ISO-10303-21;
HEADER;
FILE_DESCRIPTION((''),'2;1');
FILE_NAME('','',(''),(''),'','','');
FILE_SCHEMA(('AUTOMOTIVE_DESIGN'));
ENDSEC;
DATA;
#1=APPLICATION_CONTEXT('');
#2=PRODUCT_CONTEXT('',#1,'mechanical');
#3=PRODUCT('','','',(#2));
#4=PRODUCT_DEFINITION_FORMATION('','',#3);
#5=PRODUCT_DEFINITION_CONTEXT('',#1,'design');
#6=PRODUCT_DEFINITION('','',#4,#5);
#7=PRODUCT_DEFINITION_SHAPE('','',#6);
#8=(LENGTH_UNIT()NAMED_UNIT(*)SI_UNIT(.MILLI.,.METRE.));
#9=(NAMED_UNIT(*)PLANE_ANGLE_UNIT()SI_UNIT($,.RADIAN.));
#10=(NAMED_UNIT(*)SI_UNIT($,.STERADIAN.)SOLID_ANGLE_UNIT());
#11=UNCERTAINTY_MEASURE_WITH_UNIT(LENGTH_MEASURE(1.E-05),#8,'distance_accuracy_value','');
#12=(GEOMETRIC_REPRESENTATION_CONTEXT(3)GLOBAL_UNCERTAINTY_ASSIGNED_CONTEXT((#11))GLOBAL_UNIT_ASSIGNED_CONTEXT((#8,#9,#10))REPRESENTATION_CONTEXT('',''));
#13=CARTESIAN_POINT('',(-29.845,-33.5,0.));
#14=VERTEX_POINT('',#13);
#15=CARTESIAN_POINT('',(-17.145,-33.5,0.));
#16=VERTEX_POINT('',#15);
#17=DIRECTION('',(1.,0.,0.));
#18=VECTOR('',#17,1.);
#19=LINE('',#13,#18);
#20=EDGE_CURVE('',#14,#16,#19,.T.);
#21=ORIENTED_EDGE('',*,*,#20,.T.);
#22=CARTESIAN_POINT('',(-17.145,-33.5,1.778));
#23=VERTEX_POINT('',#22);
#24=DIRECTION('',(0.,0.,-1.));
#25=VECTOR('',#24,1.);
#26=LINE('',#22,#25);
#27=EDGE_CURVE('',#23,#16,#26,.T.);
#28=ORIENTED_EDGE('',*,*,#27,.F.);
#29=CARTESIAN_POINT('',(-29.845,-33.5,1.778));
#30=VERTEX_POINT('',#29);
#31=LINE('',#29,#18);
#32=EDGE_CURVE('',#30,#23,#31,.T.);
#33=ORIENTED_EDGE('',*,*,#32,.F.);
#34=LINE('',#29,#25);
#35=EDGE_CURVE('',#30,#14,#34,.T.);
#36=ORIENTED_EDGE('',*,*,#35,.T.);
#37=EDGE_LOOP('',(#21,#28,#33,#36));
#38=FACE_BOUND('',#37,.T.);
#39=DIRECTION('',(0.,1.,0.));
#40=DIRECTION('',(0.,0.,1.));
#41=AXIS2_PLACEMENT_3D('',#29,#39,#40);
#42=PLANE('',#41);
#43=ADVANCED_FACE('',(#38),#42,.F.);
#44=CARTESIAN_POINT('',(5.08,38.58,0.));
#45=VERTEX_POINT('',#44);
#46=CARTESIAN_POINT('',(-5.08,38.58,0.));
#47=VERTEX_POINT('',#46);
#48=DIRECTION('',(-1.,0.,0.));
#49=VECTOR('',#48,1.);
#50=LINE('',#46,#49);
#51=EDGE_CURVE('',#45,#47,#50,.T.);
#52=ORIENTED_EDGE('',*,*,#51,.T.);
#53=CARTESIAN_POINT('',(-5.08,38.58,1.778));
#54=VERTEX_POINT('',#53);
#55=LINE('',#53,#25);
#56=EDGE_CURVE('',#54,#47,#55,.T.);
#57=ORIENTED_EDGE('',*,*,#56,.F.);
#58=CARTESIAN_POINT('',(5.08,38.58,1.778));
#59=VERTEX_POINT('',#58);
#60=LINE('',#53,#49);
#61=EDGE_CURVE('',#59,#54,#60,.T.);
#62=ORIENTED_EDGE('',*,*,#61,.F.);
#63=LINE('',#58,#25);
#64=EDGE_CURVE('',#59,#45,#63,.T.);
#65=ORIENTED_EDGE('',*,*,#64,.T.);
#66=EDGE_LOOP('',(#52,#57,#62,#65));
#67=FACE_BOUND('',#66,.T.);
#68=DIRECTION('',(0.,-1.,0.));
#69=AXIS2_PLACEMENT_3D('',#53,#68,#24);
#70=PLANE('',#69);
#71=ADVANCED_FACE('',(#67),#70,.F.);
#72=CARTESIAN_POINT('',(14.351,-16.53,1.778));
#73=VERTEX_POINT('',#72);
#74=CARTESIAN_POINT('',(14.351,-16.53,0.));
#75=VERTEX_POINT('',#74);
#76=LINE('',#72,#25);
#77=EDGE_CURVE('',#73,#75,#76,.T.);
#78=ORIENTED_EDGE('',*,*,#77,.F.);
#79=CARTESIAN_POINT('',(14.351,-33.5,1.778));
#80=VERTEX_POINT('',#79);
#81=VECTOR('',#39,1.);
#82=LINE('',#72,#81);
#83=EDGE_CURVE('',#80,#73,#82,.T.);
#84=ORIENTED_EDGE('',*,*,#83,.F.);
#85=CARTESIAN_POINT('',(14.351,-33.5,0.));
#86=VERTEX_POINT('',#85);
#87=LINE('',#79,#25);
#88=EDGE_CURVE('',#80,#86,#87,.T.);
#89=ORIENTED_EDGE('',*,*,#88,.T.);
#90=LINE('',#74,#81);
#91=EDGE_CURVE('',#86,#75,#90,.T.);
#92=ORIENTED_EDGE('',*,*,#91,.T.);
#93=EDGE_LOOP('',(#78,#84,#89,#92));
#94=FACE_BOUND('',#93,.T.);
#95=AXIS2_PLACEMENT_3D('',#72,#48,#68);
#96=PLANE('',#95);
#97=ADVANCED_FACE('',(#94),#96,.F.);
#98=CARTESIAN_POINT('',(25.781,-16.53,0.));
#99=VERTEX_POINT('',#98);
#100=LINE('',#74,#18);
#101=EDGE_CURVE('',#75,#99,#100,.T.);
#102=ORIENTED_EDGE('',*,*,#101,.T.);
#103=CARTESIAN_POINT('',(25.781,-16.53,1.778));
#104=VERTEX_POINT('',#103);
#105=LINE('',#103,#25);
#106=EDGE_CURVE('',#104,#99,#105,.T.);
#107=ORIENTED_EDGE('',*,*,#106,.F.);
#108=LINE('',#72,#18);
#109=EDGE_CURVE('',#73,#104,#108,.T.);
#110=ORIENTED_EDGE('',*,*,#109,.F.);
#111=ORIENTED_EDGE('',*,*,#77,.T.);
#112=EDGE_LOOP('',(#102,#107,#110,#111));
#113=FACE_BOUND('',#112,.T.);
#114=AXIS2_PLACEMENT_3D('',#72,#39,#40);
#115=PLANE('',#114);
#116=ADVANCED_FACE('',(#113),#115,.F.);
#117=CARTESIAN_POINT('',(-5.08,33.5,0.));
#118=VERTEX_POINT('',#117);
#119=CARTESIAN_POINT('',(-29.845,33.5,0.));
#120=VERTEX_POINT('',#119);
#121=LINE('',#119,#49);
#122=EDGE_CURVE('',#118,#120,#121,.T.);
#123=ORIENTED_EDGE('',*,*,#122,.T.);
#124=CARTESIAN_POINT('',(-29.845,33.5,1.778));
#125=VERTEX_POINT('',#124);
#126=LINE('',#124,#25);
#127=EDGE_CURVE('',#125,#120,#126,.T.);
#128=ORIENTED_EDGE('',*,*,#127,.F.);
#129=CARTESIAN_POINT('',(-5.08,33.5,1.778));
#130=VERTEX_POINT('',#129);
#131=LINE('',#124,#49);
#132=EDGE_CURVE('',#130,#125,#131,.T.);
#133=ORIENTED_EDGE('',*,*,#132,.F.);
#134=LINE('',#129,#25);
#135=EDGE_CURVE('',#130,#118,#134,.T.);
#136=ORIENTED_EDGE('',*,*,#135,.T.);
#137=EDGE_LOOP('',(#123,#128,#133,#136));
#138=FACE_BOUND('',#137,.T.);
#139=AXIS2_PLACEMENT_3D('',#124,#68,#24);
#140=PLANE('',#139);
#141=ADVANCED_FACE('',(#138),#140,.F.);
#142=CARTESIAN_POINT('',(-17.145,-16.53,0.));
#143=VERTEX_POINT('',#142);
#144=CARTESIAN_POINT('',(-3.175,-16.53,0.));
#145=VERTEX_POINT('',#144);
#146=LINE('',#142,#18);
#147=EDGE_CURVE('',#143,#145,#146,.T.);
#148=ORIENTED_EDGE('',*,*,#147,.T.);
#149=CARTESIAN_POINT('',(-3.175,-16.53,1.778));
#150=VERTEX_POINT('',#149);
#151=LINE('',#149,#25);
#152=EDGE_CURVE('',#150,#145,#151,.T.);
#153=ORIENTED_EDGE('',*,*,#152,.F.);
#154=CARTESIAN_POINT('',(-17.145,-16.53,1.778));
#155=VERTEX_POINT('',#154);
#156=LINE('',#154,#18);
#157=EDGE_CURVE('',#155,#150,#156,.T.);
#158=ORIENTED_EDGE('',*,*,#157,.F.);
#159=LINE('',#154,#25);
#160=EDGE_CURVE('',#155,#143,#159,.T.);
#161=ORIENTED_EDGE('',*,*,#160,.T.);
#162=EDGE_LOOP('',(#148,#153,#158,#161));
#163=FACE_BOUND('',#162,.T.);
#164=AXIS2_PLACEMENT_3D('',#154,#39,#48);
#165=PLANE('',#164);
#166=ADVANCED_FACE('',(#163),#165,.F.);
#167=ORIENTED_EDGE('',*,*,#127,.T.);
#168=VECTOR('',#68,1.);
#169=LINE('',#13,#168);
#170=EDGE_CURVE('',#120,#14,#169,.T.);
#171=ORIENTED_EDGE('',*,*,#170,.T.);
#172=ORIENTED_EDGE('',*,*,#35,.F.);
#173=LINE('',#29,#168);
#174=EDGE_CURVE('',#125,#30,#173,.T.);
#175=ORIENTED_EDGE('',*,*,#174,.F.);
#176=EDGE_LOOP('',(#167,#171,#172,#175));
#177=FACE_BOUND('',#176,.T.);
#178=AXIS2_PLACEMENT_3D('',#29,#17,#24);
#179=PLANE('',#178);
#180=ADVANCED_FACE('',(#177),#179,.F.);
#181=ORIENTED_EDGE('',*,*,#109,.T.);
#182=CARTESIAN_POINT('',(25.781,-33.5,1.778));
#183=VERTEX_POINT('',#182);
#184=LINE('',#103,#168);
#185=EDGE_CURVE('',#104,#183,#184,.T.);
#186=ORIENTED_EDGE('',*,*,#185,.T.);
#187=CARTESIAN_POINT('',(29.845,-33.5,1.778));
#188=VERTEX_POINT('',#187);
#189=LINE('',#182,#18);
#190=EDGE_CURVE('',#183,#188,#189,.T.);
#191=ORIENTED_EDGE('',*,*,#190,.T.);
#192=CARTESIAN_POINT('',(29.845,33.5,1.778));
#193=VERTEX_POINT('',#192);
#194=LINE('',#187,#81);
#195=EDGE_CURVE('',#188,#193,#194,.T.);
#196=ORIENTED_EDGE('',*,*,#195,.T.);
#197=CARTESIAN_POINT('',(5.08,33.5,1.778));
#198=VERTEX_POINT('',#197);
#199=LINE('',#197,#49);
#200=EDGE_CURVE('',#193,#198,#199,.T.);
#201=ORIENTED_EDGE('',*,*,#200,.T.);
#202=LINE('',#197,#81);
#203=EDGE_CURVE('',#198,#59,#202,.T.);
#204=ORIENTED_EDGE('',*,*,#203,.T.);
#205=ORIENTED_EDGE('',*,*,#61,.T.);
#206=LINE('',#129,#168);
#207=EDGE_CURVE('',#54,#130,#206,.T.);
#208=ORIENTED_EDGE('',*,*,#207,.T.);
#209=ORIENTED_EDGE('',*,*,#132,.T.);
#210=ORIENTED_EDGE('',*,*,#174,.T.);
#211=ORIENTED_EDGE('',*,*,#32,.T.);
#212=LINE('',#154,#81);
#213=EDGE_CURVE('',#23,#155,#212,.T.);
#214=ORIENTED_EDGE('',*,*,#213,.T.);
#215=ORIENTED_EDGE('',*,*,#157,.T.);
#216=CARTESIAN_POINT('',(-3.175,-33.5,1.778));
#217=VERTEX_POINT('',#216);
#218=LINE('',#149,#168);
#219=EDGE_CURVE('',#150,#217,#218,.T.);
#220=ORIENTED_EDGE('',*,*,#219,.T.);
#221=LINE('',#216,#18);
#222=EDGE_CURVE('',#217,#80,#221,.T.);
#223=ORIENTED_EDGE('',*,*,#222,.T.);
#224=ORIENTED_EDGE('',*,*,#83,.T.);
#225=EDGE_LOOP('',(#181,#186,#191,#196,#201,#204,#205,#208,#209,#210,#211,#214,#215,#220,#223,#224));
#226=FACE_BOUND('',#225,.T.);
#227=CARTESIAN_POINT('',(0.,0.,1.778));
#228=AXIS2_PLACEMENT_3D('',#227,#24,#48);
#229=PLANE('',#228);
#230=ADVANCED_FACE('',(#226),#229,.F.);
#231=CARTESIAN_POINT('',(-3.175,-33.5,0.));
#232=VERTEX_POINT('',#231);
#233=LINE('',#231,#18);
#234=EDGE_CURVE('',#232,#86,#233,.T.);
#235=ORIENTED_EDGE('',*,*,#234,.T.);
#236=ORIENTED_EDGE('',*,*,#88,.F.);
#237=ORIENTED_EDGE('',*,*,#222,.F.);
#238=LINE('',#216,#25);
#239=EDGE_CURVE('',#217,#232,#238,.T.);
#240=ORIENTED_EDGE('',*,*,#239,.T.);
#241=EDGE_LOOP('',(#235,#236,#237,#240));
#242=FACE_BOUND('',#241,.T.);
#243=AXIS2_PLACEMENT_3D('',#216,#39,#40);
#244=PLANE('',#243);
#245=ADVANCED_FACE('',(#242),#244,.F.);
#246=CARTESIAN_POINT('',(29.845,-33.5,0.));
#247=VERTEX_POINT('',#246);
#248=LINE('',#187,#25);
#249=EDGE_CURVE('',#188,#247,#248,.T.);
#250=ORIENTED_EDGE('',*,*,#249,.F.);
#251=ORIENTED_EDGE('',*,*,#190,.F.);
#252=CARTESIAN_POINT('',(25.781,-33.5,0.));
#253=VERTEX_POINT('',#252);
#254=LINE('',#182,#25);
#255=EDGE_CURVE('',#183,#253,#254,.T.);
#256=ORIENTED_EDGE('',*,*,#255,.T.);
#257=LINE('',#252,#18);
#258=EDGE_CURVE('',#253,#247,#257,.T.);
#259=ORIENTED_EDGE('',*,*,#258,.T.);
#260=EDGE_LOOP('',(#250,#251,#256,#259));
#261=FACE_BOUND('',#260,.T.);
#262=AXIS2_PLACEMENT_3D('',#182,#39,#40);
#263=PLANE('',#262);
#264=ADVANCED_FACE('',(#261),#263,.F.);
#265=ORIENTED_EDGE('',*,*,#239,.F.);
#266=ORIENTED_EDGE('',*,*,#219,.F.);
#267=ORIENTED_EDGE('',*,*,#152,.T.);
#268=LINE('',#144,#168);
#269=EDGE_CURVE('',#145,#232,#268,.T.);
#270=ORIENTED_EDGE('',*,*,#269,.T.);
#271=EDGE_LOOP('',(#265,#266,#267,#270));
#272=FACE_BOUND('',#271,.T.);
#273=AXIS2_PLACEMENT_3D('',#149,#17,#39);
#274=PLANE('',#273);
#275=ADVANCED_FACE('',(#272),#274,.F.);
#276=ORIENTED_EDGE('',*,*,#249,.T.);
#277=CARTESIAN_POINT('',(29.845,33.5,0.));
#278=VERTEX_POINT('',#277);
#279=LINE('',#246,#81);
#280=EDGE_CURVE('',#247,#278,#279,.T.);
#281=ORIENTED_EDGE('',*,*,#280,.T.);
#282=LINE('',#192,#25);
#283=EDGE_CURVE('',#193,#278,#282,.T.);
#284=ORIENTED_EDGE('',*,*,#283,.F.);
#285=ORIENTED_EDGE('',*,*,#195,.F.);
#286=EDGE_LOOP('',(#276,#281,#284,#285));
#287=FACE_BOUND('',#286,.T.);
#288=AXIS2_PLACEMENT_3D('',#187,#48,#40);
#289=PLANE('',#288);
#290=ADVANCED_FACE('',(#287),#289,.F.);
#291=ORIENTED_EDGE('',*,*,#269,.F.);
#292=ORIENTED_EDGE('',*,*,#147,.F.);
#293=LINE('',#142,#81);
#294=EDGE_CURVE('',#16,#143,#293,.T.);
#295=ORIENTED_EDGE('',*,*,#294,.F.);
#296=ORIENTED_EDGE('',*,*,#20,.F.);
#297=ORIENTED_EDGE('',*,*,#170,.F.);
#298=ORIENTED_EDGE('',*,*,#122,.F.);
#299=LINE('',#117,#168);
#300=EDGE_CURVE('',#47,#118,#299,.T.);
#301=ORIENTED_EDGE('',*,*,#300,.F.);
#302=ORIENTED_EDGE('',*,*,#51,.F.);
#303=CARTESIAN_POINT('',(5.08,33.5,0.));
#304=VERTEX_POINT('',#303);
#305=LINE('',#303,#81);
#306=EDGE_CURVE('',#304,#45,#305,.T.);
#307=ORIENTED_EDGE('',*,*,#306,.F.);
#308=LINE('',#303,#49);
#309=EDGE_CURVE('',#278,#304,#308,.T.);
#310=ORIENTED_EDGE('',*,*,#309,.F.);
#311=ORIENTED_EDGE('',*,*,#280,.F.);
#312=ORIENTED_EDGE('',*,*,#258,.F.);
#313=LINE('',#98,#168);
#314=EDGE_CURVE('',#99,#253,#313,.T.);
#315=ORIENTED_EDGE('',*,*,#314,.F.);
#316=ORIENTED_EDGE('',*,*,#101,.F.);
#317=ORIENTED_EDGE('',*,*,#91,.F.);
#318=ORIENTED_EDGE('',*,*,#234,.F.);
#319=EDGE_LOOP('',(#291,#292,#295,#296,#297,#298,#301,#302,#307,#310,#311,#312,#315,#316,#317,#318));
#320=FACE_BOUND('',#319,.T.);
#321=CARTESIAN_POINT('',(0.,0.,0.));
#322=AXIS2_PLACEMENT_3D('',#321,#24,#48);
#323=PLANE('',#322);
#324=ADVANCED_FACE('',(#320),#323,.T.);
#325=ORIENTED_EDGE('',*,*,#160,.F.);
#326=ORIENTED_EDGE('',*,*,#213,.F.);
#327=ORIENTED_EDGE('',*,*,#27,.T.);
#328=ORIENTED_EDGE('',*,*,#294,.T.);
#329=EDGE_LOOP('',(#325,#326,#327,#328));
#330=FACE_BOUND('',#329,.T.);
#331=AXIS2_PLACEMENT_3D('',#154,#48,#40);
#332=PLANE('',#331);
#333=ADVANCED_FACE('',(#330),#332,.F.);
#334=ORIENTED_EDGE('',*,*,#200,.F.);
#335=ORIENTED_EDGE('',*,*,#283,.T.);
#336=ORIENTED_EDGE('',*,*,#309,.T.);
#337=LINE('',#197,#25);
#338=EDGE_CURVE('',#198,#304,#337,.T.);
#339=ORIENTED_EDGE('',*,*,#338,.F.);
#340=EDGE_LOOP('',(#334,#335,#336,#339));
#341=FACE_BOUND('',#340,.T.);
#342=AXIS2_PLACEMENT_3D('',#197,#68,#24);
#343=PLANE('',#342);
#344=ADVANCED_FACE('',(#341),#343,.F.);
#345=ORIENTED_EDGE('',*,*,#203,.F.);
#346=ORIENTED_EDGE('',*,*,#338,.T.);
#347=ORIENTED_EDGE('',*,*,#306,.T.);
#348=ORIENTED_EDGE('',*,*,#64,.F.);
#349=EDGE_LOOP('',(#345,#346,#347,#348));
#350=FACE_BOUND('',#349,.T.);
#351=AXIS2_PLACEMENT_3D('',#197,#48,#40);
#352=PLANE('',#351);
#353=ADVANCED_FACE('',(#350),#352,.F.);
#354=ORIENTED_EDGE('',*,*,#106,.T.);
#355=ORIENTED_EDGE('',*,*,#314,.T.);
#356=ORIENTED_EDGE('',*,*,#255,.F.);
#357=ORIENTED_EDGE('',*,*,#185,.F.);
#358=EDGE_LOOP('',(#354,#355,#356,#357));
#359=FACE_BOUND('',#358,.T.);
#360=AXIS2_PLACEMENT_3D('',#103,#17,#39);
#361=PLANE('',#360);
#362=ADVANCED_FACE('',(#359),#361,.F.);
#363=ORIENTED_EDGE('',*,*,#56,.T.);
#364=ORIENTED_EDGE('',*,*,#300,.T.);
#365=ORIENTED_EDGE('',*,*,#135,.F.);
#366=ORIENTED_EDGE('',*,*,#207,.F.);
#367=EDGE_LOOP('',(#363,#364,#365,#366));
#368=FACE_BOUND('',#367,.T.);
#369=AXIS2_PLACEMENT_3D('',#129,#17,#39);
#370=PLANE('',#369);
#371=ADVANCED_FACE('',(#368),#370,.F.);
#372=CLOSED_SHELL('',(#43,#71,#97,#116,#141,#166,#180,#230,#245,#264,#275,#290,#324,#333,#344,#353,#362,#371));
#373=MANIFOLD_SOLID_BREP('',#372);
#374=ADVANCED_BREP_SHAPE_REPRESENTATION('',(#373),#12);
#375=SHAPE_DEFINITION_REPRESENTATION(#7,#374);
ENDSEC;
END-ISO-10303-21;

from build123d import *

# Parameters (mm, degrees)
BOSS_EXTRUDE1_DEPTH = 1.778


with BuildPart() as part:
    # Sketch1 → Boss-Extrude1 (new body)
    with BuildSketch(Plane.XY):
        Polygon((5.08, 33.5), (29.845, 33.5), (29.845, -33.5), (25.781, -33.5), (25.781, -16.529999904), (14.351, -16.529999904), (14.351, -33.5), (-3.175, -33.5), (-3.175, -16.529999904), (-17.145, -16.529999904), (-17.145, -33.5), (-29.845, -33.5), (-29.845, 33.5), (-5.08, 33.5), (-5.08, 38.58), (5.08, 38.58), align=None)
    extrude(amount=BOSS_EXTRUDE1_DEPTH)


solid = part.part
